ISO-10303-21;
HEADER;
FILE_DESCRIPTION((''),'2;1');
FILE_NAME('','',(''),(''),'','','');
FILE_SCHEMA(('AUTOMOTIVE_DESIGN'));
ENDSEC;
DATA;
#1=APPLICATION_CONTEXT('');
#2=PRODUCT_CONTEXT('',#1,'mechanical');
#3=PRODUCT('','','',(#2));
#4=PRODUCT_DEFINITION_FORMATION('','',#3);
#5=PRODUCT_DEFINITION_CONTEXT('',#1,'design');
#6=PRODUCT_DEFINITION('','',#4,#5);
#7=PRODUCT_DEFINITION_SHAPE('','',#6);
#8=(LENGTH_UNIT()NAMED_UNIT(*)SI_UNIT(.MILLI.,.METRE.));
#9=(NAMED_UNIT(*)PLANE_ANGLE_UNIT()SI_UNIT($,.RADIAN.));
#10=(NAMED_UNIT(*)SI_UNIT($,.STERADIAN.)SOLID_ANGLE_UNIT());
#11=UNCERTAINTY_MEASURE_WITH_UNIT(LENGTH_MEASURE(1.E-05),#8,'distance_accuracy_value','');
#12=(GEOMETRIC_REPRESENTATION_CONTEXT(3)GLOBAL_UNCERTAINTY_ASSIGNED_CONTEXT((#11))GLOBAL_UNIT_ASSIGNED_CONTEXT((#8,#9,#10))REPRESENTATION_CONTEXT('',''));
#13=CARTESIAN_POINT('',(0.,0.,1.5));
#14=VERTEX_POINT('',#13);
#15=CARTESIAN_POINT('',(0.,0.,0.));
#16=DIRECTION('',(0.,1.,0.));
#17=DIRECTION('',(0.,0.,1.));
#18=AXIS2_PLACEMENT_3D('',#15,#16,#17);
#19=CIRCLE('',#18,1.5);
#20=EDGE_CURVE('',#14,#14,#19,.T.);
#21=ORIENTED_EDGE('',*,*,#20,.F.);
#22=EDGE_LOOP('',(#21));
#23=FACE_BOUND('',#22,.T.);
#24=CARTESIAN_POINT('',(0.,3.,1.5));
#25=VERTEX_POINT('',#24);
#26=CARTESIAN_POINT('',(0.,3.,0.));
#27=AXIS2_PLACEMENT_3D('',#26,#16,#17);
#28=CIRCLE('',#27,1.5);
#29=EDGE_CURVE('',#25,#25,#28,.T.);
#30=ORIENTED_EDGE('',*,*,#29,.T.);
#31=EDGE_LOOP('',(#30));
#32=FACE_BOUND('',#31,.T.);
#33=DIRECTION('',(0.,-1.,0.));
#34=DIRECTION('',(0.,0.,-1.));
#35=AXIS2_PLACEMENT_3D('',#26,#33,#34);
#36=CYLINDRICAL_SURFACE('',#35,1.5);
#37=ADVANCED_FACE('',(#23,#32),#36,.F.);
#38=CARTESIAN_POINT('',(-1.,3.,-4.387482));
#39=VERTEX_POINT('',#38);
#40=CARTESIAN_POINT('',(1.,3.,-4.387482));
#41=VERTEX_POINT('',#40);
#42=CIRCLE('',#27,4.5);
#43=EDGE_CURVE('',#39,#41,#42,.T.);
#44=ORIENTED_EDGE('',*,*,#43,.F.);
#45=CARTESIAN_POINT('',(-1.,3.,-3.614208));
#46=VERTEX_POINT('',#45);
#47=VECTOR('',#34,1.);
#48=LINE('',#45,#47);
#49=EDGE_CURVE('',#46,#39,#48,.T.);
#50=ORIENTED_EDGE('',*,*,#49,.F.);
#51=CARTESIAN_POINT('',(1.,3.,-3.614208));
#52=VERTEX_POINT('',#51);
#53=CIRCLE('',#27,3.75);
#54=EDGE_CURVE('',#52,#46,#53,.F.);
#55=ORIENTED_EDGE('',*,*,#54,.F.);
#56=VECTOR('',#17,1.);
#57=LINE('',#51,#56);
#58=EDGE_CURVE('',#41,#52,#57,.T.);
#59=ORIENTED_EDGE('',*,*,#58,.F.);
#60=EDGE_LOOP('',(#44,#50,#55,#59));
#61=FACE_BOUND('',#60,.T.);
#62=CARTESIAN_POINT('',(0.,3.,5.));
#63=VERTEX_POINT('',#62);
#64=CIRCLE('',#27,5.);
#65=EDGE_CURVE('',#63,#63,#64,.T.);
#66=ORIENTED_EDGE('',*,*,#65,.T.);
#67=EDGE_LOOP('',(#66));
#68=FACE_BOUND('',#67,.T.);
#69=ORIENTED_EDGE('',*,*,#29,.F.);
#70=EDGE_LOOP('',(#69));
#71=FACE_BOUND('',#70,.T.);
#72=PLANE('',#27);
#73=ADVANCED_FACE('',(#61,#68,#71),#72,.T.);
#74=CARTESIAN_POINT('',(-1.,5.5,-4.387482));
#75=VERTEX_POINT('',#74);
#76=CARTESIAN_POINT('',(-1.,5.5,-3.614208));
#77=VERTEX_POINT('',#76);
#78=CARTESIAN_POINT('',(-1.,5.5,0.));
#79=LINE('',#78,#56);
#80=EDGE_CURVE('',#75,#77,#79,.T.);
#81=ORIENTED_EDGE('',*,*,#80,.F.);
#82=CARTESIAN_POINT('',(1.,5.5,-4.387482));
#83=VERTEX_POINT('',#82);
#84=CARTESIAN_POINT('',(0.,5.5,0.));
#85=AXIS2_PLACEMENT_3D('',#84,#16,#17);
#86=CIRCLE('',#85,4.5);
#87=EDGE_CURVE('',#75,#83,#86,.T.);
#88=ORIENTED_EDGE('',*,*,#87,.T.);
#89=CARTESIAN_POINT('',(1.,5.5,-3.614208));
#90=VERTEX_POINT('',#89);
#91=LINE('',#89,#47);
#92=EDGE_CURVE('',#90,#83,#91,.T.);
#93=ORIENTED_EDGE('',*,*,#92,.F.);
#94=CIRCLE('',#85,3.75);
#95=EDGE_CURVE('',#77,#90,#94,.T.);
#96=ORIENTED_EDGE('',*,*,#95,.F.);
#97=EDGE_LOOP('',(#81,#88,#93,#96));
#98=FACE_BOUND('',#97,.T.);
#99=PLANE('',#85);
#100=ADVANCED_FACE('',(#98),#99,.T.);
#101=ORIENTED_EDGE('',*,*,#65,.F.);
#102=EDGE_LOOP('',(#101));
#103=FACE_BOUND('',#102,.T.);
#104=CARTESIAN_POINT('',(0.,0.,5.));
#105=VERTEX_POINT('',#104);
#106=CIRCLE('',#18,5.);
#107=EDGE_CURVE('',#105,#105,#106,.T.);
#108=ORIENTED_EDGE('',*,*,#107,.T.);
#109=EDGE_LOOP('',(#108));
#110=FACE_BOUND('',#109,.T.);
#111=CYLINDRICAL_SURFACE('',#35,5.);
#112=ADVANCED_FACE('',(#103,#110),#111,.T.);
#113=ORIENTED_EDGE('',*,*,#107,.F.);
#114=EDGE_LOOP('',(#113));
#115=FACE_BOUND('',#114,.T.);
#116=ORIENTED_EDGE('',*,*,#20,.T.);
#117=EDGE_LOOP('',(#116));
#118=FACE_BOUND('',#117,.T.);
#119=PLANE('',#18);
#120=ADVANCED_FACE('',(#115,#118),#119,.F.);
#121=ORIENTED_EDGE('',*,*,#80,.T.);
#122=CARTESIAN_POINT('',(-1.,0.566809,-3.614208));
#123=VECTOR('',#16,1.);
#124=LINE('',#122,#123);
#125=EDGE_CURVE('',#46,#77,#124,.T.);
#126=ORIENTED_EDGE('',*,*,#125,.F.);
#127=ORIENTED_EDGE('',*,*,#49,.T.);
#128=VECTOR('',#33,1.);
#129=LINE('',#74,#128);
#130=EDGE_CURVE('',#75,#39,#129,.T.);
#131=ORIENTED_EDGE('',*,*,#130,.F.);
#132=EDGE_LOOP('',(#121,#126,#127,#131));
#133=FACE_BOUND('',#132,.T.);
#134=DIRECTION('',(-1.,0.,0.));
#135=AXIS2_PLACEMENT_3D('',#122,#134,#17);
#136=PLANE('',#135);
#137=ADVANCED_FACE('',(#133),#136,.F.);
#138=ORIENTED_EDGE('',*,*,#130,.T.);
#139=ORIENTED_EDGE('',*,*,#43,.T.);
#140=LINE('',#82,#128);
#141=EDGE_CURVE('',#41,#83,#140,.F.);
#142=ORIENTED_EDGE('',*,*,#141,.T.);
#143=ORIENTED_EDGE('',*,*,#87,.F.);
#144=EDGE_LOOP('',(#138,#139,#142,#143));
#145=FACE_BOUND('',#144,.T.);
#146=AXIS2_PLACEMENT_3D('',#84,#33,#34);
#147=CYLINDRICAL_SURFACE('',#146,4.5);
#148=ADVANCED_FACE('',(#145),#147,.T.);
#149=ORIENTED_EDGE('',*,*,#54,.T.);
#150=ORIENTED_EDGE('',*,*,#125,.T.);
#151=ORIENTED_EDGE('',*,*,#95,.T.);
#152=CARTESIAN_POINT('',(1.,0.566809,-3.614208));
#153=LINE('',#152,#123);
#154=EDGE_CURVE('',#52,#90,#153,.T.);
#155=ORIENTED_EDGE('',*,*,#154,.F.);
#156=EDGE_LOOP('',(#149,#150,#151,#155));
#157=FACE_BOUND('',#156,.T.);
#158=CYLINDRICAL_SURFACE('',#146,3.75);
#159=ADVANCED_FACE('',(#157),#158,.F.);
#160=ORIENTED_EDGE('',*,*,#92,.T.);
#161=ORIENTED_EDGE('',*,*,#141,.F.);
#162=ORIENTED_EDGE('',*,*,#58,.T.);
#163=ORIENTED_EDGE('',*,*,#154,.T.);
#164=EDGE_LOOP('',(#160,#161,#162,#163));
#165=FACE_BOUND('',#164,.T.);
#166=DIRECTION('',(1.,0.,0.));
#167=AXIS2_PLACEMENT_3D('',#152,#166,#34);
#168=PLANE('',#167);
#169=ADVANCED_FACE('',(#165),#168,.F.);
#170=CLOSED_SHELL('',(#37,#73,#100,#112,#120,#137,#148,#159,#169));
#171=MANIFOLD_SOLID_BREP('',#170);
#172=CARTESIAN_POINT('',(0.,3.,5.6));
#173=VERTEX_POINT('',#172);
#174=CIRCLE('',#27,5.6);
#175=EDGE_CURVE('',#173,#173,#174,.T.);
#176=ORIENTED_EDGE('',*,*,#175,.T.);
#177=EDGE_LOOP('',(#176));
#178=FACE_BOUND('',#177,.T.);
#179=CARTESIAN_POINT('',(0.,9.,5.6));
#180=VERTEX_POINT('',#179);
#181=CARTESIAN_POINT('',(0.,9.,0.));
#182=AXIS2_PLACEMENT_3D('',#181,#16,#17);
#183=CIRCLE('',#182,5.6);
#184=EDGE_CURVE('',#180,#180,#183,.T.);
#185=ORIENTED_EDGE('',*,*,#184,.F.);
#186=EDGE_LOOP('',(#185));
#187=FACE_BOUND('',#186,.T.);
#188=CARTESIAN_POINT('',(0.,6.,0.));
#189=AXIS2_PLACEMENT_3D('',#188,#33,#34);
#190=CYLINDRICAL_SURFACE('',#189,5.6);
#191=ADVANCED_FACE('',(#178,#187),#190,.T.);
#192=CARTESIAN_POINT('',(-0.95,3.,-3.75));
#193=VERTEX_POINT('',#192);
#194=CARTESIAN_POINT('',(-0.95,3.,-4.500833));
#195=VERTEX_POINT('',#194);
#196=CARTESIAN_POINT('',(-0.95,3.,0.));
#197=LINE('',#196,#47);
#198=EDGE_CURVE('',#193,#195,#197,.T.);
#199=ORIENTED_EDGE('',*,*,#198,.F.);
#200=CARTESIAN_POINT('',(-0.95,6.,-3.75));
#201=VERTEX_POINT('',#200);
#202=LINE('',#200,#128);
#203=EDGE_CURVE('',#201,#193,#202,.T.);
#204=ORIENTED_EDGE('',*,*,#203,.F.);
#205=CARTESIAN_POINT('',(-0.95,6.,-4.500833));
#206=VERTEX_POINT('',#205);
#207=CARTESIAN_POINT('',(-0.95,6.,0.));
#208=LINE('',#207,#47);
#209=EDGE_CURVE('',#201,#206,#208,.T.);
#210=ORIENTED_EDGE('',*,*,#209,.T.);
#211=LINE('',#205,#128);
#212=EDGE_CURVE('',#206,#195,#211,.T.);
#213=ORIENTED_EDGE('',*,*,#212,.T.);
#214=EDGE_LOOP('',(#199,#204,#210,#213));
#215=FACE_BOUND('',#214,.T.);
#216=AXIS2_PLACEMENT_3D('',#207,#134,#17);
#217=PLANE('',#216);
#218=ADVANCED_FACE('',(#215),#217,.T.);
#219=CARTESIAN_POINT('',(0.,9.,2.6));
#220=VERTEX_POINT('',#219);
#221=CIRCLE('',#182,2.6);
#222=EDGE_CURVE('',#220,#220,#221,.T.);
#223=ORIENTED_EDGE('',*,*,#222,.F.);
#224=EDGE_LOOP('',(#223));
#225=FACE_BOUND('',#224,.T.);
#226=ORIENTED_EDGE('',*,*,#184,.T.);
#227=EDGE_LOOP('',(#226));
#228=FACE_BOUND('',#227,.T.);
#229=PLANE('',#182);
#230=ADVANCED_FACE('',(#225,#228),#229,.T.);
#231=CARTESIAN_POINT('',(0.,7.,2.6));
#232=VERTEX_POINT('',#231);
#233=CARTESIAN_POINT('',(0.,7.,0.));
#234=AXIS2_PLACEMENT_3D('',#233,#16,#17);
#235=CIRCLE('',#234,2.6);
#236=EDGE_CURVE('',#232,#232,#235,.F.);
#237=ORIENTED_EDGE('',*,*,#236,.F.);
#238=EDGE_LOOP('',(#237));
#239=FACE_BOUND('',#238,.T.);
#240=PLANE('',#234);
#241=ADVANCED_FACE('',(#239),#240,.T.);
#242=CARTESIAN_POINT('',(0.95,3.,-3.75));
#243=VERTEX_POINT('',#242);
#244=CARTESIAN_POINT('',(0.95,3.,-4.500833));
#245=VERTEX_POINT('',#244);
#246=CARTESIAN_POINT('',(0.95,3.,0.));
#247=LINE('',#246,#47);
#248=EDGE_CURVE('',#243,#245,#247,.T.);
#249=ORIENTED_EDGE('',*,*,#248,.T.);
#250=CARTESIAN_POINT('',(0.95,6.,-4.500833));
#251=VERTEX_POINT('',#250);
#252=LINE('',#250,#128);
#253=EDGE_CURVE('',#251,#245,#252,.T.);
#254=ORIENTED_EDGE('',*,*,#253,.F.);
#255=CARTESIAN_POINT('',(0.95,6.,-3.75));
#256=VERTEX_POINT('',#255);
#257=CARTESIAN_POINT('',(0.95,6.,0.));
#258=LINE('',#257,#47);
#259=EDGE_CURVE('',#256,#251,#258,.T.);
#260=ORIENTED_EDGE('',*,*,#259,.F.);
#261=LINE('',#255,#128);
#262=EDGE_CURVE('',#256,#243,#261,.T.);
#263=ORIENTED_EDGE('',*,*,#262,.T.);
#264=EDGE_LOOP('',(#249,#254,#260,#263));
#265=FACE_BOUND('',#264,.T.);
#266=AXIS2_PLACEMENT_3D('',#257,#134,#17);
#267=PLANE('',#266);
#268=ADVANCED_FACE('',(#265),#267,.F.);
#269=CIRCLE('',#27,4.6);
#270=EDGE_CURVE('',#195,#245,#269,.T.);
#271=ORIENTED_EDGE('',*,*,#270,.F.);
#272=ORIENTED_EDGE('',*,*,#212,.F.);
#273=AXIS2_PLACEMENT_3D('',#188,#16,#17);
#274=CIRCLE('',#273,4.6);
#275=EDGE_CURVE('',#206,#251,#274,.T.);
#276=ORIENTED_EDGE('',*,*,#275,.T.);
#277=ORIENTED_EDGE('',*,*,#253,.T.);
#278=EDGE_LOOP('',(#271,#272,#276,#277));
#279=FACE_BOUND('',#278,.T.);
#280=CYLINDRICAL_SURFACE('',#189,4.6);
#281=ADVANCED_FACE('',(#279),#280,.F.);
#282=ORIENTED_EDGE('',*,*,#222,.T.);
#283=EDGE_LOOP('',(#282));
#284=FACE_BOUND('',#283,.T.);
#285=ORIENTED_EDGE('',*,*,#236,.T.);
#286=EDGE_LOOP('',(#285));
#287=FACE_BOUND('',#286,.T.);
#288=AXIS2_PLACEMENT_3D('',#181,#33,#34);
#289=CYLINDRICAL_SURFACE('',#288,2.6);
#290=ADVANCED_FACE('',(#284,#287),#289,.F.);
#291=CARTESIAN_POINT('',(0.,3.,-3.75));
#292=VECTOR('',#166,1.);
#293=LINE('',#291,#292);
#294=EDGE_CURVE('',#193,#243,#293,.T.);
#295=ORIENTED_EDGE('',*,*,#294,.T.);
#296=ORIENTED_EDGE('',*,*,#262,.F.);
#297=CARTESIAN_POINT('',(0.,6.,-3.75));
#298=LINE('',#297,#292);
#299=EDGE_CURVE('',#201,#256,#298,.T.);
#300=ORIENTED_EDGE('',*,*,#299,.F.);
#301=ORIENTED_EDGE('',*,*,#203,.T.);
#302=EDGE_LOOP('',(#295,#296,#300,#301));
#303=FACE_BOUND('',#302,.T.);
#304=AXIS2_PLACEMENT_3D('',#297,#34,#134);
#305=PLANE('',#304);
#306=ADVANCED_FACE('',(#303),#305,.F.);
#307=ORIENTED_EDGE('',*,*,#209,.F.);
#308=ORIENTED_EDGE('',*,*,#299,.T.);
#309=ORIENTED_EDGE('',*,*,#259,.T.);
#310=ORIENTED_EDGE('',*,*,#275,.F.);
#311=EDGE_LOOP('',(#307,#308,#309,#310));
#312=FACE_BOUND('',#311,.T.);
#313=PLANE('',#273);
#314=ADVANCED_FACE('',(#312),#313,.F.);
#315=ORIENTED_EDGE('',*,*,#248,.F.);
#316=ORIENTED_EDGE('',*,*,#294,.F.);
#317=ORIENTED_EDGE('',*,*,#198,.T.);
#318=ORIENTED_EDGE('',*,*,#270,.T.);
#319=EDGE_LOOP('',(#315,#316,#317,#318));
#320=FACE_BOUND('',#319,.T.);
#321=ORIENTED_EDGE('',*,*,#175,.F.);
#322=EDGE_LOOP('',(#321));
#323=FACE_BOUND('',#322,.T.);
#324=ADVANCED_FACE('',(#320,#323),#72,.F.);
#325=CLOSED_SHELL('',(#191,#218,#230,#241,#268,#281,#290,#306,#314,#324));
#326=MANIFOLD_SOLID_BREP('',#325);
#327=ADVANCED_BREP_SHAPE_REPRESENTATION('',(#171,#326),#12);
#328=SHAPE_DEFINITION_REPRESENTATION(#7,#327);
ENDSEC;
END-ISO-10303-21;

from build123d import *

# Parameters (mm, degrees)
SKETCH1_R           = 5
SKETCH1_R_2         = 1.5
BOSS_EXTRUDE1_DEPTH = 3
SKETCH3_R           = 4.5
SKETCH3_R_2         = 3.75
BOSS_EXTRUDE2_DEPTH = 2.5
SKETCH4_W           = 2
SKETCH4_H           = 1.385791926
CUT_EXTRUDE1_DEPTH  = 2.5
SKETCH5_R           = 5.6
BOSS_EXTRUDE3_DEPTH = 3
SKETCH6_R           = 5.6
BOSS_EXTRUDE4_DEPTH = 1
SKETCH7_R           = 5.6
SKETCH7_R_2         = 2.6
BOSS_EXTRUDE5_DEPTH = 2


with BuildPart() as part:
    # Sketch1 → Boss-Extrude1 (new body)
    with BuildSketch(Plane(origin=(0, 0, 0), x_dir=(1, 0, 0), z_dir=(0, 1, 0))):
        Circle(SKETCH1_R)
        Circle(SKETCH1_R_2, mode=Mode.SUBTRACT)
    extrude(amount=BOSS_EXTRUDE1_DEPTH)

    # Sketch3 → Boss-Extrude2 (add)
    with BuildSketch(Plane(origin=(0, 3, 0), x_dir=(1, 0, 0), z_dir=(0, 1, 0))):
        Circle(SKETCH3_R)
        Circle(SKETCH3_R_2, mode=Mode.SUBTRACT)
    extrude(amount=BOSS_EXTRUDE2_DEPTH)

    # Sketch4 → Cut-Extrude1 (cut)
    with BuildSketch(Plane(origin=(0, 5.5, 0), x_dir=(1, 0, 0), z_dir=(0, 1, 0))):
        with Locations((0, 4.307104037)):
            Rectangle(SKETCH4_W, SKETCH4_H)
    extrude(amount=-CUT_EXTRUDE1_DEPTH, mode=Mode.SUBTRACT)


with BuildPart() as body_2:
    # Sketch5 → Boss-Extrude3 (new body)
    with BuildSketch(Plane(origin=(0, 3, 0), x_dir=(1, 0, 0), z_dir=(0, 1, 0))):
        Circle(SKETCH5_R)
        with BuildLine():
            ThreePointArc((5, 0), (-3.181980515, -3.856812155), (-0.95, 4.908920452))
            Line((-0.95, 4.908920452), (-0.95, 5))
            Line((-0.95, 5), (0, 5))
            Line((0, 5), (0.95, 5))
            Line((0.95, 5), (0.95, 4.908920452))
            ThreePointArc((0.95, 4.908920452), (3.856812155, 3.181980515), (5, 0))
        make_face(mode=Mode.SUBTRACT)
        with BuildLine():
            ThreePointArc((4.6, 0), (-2.897412639, -3.572814017), (-0.95, 4.500833256))
            Line((-0.95, 4.500833256), (-0.95, 4.908920452))
            ThreePointArc((-0.95, 4.908920452), (-3.181980515, -3.856812155), (5, 0))
            ThreePointArc((5, 0), (3.856812155, 3.181980515), (0.95, 4.908920452))
            Line((0.95, 4.908920452), (0.95, 4.500833256))
            ThreePointArc((0.95, 4.500833256), (3.572814017, 2.897412639), (4.6, 0))
        make_face()
        with BuildLine():
            Line((-0.95, 4.908920452), (-0.95, 4.500833256))
            ThreePointArc((-0.95, 4.500833256), (0, 4.6), (0.95, 4.500833256))
            Line((0.95, 4.500833256), (0.95, 4.908920452))
            ThreePointArc((0.95, 4.908920452), (0.477178029, 4.977178029), (0, 5))
            ThreePointArc((0, 5), (-0.477178029, 4.977178029), (-0.95, 4.908920452))
        make_face()
        with BuildLine():
            Line((-0.95, 4.500833256), (-0.95, 3.75))
            Line((-0.95, 3.75), (0, 3.75))
            Line((0, 3.75), (0.95, 3.75))
            Line((0.95, 3.75), (0.95, 4.500833256))
            ThreePointArc((0.95, 4.500833256), (0, 4.6), (-0.95, 4.500833256))
        make_face()
        with BuildLine():
            Line((-0.95, 5), (-0.95, 4.908920452))
            ThreePointArc((-0.95, 4.908920452), (-0.477178029, 4.977178029), (0, 5))
            Line((0, 5), (-0.95, 5))
        make_face()
        with BuildLine():
            Line((0.95, 5), (0, 5))
            ThreePointArc((0, 5), (0.477178029, 4.977178029), (0.95, 4.908920452))
            Line((0.95, 4.908920452), (0.95, 5))
        make_face()
    extrude(amount=BOSS_EXTRUDE3_DEPTH)

    # Sketch6 → Boss-Extrude4 (add)
    with BuildSketch(Plane(origin=(0, 6, 0), x_dir=(1, 0, 0), z_dir=(0, 1, 0))):
        Circle(SKETCH6_R)
    extrude(amount=BOSS_EXTRUDE4_DEPTH)

    # Sketch7 → Boss-Extrude5 (add)
    with BuildSketch(Plane(origin=(0, 7, 0), x_dir=(1, 0, 0), z_dir=(0, 1, 0))):
        Circle(SKETCH7_R)
        Circle(SKETCH7_R_2, mode=Mode.SUBTRACT)
    extrude(amount=BOSS_EXTRUDE5_DEPTH)


solid = Compound([part.part, body_2.part])
